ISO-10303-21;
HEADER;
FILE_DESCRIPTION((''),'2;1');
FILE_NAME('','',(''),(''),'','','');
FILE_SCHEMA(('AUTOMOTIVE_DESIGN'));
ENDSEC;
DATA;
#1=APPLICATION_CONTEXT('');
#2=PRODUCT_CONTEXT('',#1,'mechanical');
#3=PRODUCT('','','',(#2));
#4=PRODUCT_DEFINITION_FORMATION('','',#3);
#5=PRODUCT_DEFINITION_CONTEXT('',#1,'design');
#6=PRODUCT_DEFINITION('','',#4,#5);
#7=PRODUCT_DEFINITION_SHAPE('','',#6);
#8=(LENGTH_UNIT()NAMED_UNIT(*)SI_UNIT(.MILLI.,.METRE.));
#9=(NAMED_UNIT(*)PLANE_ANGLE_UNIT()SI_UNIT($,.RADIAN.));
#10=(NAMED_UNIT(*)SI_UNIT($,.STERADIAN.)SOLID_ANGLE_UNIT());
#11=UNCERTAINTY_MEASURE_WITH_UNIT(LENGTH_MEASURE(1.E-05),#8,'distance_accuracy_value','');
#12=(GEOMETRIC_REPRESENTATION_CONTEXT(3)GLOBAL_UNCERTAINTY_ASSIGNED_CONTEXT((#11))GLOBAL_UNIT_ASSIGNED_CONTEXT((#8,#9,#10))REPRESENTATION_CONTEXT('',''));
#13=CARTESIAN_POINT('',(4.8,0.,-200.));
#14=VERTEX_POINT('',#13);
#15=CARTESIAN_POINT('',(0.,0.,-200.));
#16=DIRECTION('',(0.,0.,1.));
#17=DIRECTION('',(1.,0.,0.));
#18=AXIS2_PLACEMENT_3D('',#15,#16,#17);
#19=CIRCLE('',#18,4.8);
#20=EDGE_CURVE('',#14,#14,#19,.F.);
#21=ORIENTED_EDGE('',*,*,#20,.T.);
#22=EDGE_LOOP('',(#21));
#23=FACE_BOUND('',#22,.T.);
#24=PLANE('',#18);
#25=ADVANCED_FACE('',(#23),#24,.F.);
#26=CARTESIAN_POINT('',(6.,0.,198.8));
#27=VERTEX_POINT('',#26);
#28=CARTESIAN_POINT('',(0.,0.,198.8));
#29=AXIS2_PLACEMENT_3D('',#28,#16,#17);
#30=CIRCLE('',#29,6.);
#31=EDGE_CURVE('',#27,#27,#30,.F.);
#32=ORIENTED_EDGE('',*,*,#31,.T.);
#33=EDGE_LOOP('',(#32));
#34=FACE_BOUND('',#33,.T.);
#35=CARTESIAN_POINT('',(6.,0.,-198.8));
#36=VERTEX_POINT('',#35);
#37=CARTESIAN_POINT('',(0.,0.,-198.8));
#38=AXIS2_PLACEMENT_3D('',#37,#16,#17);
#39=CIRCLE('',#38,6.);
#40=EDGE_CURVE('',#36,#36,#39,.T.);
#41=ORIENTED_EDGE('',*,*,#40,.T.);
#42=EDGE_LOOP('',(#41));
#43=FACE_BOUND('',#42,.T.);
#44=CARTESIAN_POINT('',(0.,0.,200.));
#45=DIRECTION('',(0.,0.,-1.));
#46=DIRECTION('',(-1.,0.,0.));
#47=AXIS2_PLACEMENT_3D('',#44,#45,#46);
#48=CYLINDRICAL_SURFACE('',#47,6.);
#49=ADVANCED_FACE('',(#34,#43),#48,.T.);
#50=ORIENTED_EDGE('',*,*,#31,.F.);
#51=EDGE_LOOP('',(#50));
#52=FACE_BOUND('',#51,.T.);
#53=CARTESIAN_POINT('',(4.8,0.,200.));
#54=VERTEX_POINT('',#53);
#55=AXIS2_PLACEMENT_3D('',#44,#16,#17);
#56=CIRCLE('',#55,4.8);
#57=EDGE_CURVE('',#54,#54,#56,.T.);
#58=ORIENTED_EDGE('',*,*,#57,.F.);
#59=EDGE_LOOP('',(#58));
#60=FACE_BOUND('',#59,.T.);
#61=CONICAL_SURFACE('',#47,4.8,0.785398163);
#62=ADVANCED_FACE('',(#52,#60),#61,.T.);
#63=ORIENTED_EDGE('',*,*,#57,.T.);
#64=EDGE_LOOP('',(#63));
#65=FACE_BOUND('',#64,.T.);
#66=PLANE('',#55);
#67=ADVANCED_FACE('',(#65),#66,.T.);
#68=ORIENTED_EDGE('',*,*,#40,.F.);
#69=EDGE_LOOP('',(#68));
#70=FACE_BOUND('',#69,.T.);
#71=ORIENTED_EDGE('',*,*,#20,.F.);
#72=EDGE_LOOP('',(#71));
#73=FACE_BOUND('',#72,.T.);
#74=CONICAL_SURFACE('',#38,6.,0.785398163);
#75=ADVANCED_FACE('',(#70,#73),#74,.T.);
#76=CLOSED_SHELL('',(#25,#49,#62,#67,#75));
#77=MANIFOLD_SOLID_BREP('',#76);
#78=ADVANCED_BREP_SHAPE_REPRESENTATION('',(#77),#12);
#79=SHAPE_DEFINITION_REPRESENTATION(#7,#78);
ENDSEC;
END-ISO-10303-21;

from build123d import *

# Parameters (mm, degrees)
SKETCH1_R      = 6
EXTRUDE1_DEPTH = 200
CHAMFER1_SIZE  = 1.2


with BuildPart() as part:
    # Sketch1 → Extrude1 (new body, symmetric)
    with BuildSketch(Plane.XY):
        Circle(SKETCH1_R)
    extrude(amount=EXTRUDE1_DEPTH, both=True)

    # Chamfer1
    chamfer1_edges = [part.edges().sort_by_distance(p)[0] for p in [
        (-6, 0, -200),
        (-6, 0, 200),
    ]]
    chamfer(chamfer1_edges, length=CHAMFER1_SIZE)


solid = part.part
